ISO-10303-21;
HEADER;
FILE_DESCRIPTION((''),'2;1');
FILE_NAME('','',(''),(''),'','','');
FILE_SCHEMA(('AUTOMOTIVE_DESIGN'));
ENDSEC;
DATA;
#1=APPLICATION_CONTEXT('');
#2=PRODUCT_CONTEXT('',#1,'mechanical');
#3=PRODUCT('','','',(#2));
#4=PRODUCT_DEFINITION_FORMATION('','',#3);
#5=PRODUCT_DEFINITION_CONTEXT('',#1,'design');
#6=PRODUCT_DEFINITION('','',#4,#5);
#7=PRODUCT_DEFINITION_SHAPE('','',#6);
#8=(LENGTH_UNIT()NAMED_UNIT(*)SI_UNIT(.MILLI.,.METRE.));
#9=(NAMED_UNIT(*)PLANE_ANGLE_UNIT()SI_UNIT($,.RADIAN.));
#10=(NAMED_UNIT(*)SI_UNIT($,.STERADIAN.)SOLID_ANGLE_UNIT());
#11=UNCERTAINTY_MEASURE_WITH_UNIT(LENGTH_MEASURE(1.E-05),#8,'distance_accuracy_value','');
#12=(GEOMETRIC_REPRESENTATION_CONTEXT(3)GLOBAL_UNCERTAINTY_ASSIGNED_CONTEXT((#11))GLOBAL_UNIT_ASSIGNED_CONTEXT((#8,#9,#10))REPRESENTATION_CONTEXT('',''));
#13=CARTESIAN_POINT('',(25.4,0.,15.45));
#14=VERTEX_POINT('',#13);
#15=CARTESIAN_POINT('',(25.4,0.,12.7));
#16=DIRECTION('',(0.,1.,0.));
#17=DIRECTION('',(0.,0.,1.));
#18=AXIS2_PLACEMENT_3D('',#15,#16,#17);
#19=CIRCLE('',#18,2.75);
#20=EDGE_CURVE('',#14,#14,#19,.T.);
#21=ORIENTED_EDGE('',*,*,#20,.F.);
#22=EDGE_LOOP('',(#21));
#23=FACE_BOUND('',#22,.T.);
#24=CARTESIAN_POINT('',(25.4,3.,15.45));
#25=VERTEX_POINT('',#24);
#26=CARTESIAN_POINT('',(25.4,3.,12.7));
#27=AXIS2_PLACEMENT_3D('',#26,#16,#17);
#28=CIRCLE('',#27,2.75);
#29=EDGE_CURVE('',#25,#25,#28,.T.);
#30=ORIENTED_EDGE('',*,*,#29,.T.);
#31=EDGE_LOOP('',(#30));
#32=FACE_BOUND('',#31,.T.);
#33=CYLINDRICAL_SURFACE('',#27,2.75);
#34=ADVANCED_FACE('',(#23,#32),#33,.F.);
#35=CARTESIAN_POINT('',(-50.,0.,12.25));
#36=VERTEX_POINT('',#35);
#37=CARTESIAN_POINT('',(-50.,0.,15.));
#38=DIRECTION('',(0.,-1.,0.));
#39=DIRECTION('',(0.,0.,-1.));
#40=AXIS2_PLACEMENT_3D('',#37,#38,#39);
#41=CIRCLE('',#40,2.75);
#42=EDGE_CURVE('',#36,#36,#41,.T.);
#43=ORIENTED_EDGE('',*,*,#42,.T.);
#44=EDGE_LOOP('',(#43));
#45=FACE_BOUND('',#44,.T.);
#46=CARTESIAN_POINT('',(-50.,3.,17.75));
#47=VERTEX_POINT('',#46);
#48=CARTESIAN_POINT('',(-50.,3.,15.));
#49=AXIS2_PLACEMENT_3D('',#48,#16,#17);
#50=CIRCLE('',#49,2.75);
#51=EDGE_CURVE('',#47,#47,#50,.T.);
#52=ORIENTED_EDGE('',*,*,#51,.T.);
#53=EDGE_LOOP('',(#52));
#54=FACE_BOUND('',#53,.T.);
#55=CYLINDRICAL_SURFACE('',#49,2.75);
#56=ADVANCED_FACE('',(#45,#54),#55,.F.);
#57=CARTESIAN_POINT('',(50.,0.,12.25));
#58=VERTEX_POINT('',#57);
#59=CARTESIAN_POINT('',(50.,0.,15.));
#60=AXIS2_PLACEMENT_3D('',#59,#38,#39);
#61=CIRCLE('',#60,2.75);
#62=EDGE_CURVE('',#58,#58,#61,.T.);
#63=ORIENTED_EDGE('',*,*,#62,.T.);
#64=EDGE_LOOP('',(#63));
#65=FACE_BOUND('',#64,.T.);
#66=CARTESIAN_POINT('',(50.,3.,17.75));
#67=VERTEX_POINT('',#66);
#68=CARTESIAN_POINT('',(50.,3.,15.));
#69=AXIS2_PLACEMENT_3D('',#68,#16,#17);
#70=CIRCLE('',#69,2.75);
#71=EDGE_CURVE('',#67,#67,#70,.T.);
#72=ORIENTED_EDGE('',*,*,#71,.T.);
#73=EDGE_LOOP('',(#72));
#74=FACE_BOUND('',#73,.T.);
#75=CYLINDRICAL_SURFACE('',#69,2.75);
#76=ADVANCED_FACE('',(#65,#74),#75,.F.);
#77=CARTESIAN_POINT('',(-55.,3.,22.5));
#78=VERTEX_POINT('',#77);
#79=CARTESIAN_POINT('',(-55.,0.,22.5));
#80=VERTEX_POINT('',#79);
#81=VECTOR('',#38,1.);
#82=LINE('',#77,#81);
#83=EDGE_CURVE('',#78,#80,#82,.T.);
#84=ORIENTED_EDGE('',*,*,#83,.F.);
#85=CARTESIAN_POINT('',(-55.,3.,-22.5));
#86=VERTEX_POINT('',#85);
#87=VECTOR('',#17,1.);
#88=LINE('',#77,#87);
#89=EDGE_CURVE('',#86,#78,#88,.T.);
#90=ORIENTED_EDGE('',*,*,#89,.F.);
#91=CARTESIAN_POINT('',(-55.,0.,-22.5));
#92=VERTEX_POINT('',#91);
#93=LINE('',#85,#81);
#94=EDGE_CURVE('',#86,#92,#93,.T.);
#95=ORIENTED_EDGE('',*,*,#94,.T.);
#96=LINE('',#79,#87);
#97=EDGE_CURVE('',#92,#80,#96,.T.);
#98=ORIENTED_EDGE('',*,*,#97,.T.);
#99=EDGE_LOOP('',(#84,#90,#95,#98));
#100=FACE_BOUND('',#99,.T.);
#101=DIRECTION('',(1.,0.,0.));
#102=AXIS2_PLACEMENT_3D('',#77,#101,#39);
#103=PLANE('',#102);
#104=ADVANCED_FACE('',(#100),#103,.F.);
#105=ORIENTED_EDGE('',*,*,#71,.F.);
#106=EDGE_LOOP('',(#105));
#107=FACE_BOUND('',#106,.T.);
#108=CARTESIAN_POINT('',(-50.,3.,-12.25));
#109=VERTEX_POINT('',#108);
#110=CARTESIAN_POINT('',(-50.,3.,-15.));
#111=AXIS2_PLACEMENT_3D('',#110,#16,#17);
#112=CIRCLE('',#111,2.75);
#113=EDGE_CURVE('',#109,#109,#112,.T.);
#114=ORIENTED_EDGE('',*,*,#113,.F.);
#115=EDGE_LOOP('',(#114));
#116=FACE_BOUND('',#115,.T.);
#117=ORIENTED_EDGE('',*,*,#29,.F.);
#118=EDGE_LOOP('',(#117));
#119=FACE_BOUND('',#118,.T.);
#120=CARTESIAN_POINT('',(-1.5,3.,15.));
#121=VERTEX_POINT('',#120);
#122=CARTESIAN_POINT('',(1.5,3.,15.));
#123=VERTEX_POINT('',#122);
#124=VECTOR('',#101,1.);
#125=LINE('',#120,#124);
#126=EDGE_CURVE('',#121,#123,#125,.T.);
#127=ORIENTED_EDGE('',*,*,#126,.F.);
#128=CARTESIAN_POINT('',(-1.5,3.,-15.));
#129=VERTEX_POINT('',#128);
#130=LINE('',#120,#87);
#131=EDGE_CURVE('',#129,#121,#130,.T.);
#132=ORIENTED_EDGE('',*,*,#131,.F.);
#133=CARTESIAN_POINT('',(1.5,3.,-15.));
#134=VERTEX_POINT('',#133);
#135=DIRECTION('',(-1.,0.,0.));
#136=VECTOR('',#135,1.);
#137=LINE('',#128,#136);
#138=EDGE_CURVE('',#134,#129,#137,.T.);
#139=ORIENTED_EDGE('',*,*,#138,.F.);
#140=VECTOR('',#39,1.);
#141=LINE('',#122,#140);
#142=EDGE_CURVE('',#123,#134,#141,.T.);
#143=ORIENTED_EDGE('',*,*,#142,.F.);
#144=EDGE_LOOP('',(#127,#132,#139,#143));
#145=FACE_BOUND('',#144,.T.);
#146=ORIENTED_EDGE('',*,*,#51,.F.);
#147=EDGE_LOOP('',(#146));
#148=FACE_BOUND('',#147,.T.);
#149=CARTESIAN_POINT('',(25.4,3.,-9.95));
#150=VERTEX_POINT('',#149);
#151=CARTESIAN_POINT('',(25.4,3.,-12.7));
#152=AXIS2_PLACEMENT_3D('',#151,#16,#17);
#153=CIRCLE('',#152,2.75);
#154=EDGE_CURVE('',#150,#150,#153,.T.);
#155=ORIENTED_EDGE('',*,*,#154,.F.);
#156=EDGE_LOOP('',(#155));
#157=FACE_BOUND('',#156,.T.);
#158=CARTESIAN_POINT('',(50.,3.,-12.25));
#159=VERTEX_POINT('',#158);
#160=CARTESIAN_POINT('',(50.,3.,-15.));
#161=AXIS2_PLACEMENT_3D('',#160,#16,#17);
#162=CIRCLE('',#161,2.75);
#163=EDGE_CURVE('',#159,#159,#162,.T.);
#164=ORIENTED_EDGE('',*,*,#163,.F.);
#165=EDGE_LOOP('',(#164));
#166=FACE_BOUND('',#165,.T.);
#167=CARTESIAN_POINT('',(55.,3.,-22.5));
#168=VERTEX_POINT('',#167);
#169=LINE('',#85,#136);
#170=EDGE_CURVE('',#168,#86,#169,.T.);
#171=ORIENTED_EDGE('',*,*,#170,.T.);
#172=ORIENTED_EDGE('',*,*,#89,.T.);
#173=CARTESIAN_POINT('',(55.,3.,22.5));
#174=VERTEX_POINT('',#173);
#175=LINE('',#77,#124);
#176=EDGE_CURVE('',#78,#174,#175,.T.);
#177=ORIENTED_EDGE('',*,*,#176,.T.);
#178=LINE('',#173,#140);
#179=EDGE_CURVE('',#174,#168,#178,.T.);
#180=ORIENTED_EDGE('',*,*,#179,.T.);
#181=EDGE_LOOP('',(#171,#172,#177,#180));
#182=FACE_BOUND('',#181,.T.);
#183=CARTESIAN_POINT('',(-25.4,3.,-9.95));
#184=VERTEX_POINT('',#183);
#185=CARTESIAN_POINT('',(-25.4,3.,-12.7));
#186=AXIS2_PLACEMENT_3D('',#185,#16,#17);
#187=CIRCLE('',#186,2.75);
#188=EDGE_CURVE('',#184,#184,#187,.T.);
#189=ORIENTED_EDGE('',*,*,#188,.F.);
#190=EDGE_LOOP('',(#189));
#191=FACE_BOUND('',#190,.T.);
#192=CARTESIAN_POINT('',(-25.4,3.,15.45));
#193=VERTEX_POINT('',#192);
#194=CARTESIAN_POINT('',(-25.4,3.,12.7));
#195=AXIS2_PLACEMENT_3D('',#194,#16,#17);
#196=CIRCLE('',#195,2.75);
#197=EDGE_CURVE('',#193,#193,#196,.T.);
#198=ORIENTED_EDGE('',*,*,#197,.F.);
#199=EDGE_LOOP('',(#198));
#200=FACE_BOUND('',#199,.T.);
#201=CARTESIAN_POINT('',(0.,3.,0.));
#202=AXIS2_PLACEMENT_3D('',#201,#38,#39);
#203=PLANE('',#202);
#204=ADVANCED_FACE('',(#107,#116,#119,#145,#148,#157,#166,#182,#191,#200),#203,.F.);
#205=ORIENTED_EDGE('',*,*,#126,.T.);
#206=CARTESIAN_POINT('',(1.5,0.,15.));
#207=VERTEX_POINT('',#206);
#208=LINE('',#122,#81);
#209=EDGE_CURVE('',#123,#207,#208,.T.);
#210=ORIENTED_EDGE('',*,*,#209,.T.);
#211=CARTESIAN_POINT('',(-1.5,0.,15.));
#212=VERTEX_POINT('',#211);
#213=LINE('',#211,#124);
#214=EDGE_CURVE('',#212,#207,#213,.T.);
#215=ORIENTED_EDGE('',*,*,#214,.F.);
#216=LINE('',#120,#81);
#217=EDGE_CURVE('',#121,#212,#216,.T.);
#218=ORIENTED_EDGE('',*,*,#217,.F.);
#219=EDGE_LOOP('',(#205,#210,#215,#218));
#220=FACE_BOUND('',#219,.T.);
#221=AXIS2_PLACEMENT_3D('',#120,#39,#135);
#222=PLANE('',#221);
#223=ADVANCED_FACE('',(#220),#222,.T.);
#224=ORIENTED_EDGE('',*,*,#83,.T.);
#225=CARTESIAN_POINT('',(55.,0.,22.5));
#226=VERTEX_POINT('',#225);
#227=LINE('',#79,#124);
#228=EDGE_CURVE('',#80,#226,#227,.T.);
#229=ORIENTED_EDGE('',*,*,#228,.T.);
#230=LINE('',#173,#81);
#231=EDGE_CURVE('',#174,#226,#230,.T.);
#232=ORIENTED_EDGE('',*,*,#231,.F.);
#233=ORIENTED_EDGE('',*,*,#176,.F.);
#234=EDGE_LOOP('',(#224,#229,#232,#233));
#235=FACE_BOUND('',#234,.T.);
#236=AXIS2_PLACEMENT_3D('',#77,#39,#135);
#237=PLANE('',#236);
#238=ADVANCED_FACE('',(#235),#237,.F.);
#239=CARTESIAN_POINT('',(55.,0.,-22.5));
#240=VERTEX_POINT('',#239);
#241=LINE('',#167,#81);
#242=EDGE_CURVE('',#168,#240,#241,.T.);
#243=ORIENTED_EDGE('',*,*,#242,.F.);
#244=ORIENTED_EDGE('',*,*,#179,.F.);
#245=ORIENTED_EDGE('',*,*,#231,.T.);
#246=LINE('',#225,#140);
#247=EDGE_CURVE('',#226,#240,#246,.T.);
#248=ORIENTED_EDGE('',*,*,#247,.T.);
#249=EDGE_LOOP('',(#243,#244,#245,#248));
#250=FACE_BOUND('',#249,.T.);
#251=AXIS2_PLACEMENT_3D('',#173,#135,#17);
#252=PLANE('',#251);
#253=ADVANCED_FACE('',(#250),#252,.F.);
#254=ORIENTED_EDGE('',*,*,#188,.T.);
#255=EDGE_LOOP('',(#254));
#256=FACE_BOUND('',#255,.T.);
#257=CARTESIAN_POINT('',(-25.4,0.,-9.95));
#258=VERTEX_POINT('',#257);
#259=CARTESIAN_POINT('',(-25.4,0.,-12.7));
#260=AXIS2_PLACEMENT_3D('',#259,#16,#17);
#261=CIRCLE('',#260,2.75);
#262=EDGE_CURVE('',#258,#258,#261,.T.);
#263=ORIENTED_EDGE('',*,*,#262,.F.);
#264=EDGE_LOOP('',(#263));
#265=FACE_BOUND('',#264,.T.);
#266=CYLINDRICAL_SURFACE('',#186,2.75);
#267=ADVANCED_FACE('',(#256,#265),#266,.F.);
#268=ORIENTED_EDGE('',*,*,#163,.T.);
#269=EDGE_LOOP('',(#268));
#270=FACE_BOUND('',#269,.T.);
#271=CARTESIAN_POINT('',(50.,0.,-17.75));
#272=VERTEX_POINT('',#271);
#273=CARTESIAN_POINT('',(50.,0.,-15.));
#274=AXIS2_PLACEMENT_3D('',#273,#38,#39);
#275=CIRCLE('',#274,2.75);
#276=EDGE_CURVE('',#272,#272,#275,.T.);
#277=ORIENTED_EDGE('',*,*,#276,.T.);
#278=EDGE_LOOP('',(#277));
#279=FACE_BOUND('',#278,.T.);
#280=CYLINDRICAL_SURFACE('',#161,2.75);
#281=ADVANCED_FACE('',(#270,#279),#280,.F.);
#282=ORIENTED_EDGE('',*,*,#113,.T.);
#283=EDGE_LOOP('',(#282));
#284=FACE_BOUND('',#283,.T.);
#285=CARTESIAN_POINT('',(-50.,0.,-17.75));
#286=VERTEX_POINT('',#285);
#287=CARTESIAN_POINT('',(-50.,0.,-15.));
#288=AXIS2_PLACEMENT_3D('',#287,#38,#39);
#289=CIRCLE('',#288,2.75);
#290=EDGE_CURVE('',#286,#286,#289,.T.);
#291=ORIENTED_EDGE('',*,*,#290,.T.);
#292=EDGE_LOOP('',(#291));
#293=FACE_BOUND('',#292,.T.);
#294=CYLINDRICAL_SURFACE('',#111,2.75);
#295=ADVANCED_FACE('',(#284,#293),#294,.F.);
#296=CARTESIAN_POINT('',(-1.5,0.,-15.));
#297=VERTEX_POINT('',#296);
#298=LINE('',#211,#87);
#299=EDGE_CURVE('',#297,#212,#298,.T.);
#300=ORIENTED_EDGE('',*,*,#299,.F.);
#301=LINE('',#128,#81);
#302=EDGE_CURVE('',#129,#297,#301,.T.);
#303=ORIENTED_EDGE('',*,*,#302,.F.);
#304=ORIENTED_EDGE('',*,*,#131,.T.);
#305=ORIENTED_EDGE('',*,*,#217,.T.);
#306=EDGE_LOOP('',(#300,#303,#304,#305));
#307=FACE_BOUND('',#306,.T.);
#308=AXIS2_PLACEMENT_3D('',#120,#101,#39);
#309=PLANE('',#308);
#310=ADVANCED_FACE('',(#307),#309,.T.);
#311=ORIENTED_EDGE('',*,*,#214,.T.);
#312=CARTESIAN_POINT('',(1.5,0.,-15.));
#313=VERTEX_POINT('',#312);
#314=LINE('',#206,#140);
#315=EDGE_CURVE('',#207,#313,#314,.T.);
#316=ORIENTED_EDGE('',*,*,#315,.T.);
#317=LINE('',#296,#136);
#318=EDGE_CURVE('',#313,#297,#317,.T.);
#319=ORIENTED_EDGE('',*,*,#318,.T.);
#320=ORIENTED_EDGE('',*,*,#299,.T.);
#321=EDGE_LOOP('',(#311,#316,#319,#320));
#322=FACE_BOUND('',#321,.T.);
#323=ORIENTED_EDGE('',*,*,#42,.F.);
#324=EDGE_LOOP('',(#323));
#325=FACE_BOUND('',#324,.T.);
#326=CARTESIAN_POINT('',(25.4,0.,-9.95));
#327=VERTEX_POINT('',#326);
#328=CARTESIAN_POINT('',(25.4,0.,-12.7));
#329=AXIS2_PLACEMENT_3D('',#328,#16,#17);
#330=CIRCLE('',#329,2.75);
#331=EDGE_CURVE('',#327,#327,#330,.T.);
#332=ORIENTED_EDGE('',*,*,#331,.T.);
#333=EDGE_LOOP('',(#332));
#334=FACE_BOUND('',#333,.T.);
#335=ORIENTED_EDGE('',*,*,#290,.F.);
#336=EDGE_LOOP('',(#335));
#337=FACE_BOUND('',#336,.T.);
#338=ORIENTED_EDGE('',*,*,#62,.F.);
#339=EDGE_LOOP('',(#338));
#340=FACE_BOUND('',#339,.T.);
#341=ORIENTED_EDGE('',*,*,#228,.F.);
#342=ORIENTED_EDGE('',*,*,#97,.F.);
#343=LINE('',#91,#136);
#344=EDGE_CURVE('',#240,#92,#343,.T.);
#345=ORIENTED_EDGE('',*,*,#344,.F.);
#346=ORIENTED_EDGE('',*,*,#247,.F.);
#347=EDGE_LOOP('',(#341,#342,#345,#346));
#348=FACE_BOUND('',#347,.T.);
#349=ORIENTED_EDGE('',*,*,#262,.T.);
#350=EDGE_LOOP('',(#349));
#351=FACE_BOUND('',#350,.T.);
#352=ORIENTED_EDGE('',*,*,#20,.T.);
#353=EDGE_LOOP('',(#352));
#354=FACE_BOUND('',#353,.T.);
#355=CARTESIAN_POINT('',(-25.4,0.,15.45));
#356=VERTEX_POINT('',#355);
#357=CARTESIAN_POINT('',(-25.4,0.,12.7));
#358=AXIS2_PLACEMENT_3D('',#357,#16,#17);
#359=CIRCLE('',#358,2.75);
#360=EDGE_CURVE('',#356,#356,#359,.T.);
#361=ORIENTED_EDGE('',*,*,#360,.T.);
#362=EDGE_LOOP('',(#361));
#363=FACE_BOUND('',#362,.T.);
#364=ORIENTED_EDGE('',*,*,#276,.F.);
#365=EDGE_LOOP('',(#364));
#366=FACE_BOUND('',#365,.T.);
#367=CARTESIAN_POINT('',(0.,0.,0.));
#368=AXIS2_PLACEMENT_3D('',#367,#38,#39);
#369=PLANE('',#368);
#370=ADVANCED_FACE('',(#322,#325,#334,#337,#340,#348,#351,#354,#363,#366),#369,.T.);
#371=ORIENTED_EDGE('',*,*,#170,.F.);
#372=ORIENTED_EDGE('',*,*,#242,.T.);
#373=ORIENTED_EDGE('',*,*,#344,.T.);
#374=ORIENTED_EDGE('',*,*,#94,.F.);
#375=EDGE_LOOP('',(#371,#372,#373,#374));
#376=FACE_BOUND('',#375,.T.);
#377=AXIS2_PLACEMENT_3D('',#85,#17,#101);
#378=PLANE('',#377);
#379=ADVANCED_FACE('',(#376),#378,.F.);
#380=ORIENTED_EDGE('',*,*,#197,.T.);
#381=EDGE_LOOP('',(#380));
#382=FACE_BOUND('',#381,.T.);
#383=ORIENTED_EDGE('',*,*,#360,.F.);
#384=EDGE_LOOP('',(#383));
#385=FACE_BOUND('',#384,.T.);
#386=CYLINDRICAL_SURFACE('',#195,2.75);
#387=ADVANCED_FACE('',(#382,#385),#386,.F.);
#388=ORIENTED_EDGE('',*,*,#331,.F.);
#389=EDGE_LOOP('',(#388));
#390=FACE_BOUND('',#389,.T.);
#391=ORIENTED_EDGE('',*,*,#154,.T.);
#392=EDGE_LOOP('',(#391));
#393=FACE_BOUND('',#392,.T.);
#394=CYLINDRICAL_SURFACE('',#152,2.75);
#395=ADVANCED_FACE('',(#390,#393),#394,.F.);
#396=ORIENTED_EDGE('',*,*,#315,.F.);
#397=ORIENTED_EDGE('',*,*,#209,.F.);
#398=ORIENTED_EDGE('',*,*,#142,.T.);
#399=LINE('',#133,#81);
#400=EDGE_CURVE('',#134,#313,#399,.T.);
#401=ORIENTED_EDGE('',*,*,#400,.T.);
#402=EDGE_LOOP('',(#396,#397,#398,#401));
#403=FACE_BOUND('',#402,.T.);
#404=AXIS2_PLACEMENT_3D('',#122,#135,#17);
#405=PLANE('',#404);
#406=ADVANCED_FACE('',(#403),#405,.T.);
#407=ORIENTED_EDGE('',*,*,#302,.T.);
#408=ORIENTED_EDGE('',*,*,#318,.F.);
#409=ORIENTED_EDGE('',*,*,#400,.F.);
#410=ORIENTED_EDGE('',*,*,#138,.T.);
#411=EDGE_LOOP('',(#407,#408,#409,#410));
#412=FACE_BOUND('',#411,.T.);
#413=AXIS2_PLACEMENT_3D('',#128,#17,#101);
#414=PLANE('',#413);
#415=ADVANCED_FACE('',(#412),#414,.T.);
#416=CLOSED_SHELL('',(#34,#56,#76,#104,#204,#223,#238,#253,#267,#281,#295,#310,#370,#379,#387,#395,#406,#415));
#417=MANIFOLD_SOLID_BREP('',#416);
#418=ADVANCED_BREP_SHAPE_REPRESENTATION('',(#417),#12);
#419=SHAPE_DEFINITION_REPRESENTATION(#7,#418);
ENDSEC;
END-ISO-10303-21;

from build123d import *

# Parameters (mm, degrees)
SKETCH1_W                = 110
SKETCH1_H                = 45
SKETCH1_W_2              = 3
SKETCH1_H_2              = 30
BOSS_EXTRUDE1_DEPTH      = 3
M5_CLEARANCE_HOLE2_D     = 5.5
M5_CLEARANCE_HOLE2_DEPTH = 12.4
M5_CLEARANCE_HOLE2_TIP   = 1.652366702
M5_CLEARANCE_HOLE3_D     = 5.5


with BuildPart() as part:
    # Sketch1 → Boss-Extrude1 (new body)
    with BuildSketch(Plane(origin=(0, 0, 0), x_dir=(1, 0, 0), z_dir=(0, 1, 0))):
        Rectangle(SKETCH1_W, SKETCH1_H)
        Rectangle(SKETCH1_W_2, SKETCH1_H_2, mode=Mode.SUBTRACT)
    extrude(amount=BOSS_EXTRUDE1_DEPTH)

    # M5 Clearance Hole2
    with Locations(Plane(origin=(0, 3, 0), x_dir=(1, 0, 0), z_dir=(0, 1, 0))):
        with Locations((50, 15), (-50, -15), (-50, 15), (50, -15)):
            Hole(M5_CLEARANCE_HOLE2_D / 2, depth=M5_CLEARANCE_HOLE2_DEPTH)
            with Locations((0, 0, -(M5_CLEARANCE_HOLE2_DEPTH + M5_CLEARANCE_HOLE2_TIP / 2))):  # 118° drill point
                Cone(0, M5_CLEARANCE_HOLE2_D / 2, M5_CLEARANCE_HOLE2_TIP, mode=Mode.SUBTRACT)

    # M5 Clearance Hole3 (through all)
    with Locations(Plane(origin=(0, 3, 0), x_dir=(1, 0, 0), z_dir=(0, 1, 0))):
        with Locations((-25.4, -12.7), (25.4, 12.7), (-25.4, 12.7), (25.4, -12.7)):
            Hole(M5_CLEARANCE_HOLE3_D / 2)


solid = part.part
